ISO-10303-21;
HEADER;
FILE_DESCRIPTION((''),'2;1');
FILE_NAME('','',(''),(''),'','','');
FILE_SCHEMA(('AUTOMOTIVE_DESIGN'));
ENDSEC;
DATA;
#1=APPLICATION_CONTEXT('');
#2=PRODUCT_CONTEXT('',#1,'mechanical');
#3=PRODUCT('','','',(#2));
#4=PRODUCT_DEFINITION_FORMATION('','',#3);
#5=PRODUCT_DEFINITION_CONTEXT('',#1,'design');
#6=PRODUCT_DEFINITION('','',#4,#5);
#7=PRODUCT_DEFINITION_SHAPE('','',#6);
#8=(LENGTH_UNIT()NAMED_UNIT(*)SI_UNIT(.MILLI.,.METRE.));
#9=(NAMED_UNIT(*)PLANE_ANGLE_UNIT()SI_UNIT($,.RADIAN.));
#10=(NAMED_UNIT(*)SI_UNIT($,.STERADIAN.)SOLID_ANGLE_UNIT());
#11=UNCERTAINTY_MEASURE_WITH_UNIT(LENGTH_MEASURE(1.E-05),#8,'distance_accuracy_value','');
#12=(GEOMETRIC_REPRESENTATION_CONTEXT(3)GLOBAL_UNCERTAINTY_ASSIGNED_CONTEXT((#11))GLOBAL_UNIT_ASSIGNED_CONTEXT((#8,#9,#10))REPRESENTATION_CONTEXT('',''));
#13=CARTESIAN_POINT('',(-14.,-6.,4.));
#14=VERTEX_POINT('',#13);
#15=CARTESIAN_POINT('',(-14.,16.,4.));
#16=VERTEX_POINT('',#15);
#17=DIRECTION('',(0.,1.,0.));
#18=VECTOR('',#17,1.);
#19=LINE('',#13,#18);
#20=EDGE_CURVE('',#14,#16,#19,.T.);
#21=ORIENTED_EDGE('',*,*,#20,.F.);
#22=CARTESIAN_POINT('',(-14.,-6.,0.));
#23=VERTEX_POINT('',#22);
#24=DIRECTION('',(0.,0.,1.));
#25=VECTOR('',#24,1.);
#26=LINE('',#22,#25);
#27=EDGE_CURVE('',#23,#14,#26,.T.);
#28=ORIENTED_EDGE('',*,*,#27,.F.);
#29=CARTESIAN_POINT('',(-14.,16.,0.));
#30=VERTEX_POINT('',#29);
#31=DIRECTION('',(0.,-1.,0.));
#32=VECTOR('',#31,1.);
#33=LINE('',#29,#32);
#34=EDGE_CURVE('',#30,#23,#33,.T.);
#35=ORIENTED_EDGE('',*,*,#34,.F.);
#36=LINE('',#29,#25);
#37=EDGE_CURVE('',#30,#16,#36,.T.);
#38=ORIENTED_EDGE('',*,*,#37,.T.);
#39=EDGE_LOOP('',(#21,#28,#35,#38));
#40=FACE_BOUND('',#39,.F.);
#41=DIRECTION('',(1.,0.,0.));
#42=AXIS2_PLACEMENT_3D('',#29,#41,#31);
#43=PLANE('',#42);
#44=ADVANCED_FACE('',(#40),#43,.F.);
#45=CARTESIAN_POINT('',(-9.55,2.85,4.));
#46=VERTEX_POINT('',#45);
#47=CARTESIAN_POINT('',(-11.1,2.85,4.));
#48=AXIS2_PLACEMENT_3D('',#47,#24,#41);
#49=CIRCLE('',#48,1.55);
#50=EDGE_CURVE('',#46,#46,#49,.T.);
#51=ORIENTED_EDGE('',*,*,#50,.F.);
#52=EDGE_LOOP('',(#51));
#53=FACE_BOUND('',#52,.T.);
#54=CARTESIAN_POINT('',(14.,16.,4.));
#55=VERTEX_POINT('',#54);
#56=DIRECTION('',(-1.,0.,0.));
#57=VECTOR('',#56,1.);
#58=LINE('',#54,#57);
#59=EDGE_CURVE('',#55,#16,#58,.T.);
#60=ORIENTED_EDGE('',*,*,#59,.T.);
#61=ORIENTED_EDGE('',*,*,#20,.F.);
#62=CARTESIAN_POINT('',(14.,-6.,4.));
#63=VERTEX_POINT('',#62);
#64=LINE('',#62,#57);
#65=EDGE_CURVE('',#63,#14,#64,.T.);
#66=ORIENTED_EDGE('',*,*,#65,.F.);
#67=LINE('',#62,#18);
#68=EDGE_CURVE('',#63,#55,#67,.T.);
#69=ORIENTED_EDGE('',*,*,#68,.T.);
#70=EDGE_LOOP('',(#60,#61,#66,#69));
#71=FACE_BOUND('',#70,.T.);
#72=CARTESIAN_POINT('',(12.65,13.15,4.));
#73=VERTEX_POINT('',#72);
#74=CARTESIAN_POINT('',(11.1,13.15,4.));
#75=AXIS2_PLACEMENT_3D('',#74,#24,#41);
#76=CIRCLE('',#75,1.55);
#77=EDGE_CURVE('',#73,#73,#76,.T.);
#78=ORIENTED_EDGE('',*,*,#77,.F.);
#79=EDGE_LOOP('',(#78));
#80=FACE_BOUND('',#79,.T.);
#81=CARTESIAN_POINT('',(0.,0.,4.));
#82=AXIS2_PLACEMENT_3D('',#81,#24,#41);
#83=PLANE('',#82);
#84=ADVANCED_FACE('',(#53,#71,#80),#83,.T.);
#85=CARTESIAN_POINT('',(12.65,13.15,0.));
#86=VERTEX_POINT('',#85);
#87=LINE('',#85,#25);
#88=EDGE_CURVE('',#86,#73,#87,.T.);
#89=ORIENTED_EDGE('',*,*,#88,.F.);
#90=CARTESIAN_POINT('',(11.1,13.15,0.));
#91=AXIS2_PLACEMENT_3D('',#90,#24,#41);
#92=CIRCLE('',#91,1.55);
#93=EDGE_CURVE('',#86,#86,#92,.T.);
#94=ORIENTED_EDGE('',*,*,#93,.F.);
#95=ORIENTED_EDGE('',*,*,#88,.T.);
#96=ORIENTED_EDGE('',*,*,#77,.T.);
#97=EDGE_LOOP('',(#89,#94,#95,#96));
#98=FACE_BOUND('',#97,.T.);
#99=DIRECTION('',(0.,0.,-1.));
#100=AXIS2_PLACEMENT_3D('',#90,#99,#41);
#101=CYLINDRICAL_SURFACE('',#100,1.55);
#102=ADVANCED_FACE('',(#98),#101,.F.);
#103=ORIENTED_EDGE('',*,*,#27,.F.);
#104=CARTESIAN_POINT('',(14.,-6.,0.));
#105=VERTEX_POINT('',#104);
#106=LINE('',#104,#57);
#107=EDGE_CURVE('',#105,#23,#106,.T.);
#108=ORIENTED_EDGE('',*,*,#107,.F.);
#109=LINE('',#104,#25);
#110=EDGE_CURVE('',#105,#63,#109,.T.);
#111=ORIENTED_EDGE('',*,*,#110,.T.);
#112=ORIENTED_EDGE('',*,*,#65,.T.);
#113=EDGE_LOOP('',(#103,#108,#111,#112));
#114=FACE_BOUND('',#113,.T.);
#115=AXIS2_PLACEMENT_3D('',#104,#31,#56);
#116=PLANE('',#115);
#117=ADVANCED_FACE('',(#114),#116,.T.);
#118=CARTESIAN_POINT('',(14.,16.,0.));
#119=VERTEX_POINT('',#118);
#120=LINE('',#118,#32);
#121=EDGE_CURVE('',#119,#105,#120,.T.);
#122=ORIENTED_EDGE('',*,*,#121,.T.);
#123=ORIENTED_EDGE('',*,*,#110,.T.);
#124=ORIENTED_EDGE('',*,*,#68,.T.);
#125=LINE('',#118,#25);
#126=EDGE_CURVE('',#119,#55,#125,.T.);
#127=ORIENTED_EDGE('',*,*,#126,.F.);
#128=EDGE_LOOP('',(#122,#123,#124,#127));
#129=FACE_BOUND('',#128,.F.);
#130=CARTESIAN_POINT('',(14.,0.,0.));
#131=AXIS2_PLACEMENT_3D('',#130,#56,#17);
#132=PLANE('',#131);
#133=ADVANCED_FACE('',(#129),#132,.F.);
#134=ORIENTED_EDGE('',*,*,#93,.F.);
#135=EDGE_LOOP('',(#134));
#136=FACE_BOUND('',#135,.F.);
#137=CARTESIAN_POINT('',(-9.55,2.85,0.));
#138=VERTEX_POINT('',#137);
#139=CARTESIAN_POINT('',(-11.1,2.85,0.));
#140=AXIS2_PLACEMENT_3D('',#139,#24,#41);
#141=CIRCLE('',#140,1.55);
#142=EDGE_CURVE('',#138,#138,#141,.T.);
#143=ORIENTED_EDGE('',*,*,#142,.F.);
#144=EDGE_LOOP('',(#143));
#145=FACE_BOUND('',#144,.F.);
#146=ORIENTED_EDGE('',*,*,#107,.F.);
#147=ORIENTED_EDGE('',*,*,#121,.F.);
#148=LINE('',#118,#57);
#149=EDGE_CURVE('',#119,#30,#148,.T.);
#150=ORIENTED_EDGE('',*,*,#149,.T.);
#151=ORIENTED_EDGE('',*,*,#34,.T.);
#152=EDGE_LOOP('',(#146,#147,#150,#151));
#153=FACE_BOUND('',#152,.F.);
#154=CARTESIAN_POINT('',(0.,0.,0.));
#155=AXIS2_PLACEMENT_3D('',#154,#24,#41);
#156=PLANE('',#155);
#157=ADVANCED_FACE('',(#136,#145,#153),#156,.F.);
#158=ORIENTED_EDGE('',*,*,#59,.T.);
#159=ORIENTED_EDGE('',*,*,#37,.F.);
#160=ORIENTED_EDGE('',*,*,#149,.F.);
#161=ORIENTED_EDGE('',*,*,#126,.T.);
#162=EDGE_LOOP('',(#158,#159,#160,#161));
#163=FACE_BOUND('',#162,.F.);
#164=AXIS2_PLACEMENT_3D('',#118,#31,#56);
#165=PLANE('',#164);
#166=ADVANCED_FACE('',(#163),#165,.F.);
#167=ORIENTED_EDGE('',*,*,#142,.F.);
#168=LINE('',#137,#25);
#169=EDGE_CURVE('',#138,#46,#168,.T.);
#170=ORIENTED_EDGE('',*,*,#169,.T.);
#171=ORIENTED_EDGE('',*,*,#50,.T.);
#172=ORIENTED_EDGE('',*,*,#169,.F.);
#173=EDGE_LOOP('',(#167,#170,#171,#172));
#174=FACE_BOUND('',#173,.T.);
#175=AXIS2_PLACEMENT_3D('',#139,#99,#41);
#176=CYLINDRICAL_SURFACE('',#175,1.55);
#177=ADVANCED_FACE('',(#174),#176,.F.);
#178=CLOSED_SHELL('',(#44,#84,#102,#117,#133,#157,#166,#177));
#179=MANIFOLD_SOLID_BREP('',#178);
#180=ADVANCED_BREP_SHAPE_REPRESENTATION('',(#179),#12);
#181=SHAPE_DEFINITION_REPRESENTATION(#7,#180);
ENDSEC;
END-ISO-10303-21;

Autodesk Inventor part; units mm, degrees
ref_plane "YZ Plane" through (0, 0, 0) normal (1, 0, 0) x (0, 1, 0)
ref_plane "XZ Plane" through (0, 0, 0) normal (0, 1, 0) x (-1, 0, 0)
ref_plane "XY Plane" through (0, 0, 0) normal (0, 0, 1) x (1, 0, 0)
sketch "Sketch1" plane through (0, 0, 0) normal (0, 0, 1) x (1, 0, 0)
  line L0 (-14, 0) -> (14, 0)
  line L1 (14, 0) -> (14, 16)
  line L2 (14, 16) -> (-14, 16)
  line L3 (-14, 16) -> (-14, 0)
  circle A0 centre (-11.1, 2.85) radius 1.55
  circle A1 centre (11.1, 13.15) radius 1.55
  line L4 (-11.1, 2.85) -> (-14, 2.85) construction
  line L5 (11.1, 13.15) -> (14, 13.15) construction
  line L6 (11.1, 13.15) -> (11.1, 16) construction
  line L7 (-11.1, 2.85) -> (-11.1, 0) construction
  line L8 (-14, 0) -> (14, 0) construction
  line L9 (14, 0) -> (14, -6)
  line L10 (14, -6) -> (-14, -6)
  line L11 (-14, -6) -> (-14, 0)
  point P0 (0, 0)
  point P1 (0, 0)
  point P2 (14, 0)
  dimension "d0" = 3.1
  dimension "d1" = 22.2
  dimension "d2" = 10.3
  dimension "d3" = 16
  dimension "d4" = 28
  dimension "d5" = 22
extrude "Extrusion1" add sketch "Sketch1" along normal blind 4
properties part number "SwitchHolder_V1" material "Wood (Oak)"
